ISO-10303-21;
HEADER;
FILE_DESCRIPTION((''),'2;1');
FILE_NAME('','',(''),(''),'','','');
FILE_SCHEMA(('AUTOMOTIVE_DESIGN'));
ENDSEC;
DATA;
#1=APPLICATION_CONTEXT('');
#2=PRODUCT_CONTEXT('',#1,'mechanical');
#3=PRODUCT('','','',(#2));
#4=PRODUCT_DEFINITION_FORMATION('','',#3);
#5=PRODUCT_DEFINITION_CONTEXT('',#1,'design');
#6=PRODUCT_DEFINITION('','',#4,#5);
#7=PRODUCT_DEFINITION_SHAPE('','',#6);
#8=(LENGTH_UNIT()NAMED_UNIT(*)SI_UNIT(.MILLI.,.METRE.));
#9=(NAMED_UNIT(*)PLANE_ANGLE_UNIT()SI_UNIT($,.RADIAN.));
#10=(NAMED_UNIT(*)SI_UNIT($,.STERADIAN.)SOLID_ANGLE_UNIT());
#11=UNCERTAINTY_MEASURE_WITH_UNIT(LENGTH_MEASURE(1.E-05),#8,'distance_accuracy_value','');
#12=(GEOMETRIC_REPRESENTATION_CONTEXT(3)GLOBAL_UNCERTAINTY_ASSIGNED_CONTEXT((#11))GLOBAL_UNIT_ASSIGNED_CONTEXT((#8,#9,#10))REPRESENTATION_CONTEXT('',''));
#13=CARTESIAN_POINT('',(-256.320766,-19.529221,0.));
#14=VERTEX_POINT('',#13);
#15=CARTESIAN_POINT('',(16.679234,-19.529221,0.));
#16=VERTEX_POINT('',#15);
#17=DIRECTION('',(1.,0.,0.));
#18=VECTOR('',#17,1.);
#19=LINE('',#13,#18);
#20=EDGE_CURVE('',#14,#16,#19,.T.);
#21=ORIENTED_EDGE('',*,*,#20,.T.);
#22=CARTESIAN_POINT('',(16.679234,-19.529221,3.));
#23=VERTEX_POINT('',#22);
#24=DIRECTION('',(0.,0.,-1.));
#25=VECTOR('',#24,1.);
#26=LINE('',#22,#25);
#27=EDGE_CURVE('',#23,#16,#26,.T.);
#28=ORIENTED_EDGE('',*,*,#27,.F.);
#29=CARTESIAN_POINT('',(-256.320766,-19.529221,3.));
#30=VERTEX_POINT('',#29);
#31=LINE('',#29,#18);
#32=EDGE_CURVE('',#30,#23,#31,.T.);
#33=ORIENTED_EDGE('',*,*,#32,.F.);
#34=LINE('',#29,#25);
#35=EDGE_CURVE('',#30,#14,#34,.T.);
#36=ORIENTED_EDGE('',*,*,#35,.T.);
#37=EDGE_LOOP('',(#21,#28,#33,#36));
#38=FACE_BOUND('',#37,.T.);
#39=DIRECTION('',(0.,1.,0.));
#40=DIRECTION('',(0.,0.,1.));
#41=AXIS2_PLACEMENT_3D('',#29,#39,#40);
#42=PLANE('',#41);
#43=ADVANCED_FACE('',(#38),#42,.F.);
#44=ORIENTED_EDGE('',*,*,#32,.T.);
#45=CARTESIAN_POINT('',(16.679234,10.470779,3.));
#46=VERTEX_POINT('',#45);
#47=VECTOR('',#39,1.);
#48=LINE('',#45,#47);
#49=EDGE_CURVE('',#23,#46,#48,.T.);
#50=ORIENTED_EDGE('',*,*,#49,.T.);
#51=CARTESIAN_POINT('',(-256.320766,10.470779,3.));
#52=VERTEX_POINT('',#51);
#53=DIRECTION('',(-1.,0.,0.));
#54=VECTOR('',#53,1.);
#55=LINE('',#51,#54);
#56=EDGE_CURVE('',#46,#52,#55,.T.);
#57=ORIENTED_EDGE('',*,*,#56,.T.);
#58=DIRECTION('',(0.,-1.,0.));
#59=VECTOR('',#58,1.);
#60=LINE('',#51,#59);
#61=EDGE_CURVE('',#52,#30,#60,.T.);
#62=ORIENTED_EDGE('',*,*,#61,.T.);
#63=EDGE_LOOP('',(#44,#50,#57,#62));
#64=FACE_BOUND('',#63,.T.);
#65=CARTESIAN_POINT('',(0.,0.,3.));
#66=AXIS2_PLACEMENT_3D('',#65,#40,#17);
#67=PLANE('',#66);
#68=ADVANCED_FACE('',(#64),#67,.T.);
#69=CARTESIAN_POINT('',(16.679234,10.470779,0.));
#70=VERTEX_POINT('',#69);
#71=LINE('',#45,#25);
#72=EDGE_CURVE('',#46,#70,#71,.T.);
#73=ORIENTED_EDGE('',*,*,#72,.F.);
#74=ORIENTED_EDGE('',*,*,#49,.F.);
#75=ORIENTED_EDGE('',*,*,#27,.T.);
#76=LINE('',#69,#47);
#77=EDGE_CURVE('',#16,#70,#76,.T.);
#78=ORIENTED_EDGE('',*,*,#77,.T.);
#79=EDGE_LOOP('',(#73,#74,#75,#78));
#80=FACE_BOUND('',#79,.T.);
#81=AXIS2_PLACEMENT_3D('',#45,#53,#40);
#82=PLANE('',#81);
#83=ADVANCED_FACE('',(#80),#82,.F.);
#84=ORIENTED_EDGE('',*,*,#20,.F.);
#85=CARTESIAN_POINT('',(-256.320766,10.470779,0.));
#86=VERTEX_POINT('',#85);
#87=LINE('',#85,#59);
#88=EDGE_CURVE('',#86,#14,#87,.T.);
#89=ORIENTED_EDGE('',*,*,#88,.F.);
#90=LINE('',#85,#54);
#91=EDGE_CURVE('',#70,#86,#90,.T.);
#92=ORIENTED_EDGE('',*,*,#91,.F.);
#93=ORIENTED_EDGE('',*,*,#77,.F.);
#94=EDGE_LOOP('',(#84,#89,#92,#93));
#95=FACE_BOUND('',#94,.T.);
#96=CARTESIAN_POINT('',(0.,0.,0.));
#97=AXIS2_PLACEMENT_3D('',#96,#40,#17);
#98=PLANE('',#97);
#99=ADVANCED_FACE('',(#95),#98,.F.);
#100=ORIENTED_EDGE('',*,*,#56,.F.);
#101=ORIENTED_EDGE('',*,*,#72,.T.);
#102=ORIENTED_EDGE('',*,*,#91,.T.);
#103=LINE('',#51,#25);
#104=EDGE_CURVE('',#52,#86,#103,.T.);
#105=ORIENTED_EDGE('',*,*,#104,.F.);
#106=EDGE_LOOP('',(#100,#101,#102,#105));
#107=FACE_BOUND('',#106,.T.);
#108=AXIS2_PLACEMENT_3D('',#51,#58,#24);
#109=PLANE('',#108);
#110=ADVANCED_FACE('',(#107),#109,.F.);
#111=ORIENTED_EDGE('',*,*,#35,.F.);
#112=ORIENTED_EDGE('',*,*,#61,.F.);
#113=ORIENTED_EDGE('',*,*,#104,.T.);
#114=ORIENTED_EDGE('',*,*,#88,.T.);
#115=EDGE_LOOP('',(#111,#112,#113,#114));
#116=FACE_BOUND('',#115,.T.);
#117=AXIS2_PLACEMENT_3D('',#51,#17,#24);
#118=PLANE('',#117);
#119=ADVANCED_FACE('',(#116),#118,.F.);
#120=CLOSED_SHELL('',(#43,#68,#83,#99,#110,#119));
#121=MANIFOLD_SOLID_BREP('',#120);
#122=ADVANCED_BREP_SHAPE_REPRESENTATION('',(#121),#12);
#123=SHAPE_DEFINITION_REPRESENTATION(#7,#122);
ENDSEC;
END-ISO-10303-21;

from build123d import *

# Parameters (mm, degrees)
ESQUISSE1_W        = 273
ESQUISSE1_H        = 30
BOSS_EXTRU_1_DEPTH = 3


with BuildPart() as part:
    # Esquisse1 → Boss.-Extru.1 (new body)
    with BuildSketch(Plane.XY):
        with Locations((-119.820766405, -4.529220779)):
            Rectangle(ESQUISSE1_W, ESQUISSE1_H)
    extrude(amount=BOSS_EXTRU_1_DEPTH)


solid = part.part
